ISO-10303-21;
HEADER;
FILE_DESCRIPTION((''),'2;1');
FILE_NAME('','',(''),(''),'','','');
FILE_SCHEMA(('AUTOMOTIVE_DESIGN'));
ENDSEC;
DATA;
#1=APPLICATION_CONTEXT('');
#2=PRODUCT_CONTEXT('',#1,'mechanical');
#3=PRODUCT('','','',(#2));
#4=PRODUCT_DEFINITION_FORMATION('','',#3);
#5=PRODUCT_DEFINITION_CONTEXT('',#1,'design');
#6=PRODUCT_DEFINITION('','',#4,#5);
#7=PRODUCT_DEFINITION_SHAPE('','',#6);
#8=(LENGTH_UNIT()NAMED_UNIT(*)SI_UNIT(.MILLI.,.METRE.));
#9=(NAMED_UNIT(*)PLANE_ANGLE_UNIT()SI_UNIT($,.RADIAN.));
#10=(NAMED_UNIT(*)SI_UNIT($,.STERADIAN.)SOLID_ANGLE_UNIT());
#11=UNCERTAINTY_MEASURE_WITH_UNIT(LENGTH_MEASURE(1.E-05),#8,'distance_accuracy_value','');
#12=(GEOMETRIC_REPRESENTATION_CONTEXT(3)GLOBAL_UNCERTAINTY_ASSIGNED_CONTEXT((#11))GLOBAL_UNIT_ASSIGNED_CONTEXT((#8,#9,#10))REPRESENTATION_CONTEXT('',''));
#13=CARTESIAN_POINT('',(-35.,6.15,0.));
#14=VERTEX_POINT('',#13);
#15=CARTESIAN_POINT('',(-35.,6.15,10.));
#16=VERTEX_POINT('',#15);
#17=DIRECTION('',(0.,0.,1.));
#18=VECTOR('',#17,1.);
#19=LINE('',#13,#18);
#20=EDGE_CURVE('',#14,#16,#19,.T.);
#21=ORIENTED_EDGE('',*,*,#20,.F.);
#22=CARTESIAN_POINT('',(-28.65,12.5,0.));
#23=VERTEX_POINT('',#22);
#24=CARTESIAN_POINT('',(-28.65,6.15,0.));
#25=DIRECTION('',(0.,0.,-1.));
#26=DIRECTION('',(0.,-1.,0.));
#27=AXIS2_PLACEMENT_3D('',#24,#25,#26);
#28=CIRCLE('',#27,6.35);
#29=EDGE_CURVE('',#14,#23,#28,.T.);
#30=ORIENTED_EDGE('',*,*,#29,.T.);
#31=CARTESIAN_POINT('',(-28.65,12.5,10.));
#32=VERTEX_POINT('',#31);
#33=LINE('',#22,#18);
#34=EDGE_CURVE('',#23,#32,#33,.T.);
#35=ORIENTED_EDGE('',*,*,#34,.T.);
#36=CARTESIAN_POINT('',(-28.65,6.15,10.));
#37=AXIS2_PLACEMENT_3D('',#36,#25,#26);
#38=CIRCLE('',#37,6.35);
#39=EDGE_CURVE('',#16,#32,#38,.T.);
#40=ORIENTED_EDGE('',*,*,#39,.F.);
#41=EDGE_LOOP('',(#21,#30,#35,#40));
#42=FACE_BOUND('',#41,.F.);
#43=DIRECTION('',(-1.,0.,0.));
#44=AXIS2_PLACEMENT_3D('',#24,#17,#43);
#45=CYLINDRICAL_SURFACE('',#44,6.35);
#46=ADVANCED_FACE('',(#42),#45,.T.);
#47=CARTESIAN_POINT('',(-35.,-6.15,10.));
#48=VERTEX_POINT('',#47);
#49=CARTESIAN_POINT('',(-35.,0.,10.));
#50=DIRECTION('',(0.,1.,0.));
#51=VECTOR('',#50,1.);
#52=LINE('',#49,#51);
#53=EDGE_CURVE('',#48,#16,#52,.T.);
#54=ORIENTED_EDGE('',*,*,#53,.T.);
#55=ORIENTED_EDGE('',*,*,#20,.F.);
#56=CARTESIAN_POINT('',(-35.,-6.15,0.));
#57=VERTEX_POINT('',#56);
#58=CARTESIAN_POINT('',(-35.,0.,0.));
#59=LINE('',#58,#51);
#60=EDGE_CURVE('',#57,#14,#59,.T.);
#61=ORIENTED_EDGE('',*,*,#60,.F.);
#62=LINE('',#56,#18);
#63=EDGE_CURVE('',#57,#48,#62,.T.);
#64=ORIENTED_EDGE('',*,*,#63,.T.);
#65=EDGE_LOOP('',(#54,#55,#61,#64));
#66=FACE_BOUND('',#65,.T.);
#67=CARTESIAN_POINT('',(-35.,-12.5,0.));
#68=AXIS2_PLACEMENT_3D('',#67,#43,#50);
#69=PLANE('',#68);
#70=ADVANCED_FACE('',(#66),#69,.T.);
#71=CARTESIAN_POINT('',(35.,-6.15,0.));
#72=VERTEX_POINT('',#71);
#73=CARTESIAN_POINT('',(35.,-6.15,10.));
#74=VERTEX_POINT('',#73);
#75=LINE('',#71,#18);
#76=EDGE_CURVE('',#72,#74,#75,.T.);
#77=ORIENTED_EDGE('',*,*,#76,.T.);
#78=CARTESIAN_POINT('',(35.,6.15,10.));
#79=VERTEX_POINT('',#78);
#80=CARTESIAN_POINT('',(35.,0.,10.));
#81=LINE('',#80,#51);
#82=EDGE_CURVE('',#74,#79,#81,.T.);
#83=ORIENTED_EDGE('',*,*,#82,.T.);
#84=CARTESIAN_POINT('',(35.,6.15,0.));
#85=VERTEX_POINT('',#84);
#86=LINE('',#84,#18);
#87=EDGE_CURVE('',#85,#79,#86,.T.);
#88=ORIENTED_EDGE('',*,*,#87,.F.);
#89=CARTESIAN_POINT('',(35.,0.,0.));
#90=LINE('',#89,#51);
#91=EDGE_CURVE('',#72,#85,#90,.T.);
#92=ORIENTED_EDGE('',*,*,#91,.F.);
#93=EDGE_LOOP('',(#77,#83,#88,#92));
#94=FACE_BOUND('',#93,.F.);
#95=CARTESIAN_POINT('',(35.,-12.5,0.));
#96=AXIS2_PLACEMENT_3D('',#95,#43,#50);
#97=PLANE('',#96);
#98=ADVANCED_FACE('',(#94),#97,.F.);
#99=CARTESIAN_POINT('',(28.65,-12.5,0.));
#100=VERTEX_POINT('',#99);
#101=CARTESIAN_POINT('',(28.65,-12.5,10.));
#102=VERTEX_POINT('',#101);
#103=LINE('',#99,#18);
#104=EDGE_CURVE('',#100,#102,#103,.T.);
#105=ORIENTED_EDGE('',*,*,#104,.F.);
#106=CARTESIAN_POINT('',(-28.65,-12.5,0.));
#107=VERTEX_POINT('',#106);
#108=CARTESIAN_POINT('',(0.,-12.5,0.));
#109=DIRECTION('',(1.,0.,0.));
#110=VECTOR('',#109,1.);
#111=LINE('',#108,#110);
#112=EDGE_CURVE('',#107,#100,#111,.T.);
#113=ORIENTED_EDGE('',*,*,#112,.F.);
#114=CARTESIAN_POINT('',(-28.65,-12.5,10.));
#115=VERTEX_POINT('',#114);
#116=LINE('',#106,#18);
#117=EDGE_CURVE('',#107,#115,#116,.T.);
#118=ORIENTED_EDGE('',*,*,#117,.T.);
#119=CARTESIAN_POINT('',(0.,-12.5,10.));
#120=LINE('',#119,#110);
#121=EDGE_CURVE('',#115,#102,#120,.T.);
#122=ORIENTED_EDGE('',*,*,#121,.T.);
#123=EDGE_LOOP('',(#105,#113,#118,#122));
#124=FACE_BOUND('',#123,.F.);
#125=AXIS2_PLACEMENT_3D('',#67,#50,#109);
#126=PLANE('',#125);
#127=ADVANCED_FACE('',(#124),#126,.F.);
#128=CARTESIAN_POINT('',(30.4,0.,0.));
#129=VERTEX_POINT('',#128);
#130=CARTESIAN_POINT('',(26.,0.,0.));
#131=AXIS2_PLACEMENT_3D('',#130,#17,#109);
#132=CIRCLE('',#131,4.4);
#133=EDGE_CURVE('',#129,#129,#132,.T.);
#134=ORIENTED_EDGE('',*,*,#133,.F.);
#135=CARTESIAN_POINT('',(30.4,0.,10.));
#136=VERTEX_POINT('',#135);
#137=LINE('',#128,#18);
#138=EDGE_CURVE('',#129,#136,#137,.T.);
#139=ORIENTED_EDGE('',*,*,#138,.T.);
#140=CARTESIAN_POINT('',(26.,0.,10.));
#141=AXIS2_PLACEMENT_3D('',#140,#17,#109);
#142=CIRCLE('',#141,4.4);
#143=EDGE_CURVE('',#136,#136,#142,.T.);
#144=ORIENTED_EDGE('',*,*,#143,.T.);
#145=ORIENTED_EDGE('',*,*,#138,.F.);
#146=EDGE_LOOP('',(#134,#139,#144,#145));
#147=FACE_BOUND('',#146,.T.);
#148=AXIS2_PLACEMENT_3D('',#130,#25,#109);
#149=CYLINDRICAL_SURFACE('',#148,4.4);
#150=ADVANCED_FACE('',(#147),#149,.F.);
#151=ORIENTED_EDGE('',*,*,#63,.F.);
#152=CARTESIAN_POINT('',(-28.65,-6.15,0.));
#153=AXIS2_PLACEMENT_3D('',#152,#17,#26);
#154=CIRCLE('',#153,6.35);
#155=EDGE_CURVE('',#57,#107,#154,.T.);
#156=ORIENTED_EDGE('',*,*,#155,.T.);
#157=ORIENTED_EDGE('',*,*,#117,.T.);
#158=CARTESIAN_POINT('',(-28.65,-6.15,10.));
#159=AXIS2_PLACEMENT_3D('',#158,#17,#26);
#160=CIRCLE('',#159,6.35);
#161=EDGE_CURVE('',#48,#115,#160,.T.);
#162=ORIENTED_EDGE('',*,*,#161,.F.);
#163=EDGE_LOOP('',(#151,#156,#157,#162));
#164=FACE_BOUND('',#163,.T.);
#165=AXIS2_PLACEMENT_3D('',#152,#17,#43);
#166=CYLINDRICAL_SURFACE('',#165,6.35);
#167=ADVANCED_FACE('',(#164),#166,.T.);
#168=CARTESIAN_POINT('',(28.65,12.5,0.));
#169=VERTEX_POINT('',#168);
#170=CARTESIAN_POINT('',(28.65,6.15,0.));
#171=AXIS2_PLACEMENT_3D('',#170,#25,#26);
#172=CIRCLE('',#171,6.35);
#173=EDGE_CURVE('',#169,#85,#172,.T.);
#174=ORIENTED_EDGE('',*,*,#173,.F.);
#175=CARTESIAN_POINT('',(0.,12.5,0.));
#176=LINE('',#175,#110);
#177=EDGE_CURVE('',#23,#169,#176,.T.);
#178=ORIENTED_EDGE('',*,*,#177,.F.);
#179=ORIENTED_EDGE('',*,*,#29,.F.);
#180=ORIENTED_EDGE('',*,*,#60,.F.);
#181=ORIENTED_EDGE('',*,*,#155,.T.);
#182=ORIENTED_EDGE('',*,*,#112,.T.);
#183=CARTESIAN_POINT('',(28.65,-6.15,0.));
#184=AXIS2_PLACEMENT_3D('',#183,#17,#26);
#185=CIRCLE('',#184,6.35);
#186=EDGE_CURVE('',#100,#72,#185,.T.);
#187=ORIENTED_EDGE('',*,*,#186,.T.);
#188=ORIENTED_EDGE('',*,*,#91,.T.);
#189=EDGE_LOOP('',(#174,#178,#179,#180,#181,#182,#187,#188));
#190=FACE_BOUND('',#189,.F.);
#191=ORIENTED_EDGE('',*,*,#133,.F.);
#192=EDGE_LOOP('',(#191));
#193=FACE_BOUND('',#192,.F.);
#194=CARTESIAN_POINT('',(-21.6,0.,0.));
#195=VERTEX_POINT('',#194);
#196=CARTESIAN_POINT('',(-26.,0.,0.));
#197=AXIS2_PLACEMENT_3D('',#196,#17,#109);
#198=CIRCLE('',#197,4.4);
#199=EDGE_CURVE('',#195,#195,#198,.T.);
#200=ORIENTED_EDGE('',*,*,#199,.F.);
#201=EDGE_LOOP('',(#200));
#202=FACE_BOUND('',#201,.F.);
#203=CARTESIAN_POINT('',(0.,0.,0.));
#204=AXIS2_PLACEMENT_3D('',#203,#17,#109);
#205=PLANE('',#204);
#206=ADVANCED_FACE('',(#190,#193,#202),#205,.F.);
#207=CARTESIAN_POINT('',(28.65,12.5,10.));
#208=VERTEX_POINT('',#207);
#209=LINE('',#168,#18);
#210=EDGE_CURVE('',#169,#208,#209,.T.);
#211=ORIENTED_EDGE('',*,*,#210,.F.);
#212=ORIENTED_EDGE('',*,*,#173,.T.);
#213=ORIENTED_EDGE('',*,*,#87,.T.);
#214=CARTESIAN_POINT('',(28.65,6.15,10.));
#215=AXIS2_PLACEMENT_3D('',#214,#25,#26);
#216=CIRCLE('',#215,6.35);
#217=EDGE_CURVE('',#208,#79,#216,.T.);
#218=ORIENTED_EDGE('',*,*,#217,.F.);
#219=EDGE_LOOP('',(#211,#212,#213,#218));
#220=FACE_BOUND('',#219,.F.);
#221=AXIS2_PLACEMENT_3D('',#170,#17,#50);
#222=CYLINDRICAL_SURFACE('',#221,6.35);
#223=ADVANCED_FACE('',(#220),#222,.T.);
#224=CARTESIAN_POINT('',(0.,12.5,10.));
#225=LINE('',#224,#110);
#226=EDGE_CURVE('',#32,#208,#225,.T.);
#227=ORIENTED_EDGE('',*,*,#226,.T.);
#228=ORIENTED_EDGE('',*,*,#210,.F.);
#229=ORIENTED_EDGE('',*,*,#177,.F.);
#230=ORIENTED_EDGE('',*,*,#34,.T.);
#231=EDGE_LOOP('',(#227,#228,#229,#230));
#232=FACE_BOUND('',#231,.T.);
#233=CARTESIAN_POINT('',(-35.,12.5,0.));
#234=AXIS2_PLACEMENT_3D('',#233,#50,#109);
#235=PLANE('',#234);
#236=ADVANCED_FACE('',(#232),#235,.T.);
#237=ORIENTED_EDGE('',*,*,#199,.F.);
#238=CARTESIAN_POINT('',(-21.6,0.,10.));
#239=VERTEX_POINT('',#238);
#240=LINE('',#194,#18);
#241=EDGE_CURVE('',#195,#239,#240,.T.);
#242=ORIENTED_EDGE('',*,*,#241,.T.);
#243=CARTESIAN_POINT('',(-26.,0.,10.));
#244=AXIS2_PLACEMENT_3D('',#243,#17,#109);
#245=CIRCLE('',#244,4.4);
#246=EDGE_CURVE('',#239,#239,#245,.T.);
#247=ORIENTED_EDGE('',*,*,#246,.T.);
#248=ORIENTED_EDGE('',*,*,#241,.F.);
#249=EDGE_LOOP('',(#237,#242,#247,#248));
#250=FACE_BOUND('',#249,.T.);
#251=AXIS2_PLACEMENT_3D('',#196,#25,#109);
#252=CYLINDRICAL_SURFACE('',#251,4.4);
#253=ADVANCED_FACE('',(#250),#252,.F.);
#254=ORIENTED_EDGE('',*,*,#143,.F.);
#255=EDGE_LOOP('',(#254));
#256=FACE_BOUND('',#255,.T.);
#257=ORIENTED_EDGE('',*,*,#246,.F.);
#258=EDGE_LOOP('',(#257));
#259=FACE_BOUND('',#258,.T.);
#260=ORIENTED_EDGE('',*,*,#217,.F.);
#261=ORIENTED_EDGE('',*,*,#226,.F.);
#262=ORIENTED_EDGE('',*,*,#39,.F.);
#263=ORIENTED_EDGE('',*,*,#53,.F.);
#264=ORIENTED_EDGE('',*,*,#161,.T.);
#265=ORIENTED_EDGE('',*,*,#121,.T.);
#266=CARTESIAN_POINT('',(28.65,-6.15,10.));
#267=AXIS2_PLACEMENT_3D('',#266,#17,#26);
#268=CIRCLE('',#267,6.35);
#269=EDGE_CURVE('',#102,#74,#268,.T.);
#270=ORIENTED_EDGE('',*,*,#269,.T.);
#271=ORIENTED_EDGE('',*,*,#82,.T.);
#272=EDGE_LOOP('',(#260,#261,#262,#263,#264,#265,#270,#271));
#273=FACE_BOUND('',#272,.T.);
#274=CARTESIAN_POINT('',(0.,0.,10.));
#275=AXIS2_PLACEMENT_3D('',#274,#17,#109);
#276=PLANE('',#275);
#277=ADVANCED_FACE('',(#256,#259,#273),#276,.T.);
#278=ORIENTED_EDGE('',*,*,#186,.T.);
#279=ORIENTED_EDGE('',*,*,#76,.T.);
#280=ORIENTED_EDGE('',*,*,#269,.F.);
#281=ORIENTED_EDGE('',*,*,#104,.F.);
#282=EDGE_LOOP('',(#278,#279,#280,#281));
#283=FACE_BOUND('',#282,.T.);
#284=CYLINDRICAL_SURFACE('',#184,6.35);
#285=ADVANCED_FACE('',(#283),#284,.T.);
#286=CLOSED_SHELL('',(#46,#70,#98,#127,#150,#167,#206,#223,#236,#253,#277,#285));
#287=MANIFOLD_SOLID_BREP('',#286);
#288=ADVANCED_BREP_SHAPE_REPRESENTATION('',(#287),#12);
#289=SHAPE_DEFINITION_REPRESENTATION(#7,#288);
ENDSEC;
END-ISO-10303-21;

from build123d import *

# Parameters (mm, degrees)
F0_W     = 70
F0_H     = 25
F0_R     = 4.4
F1_DEPTH = 10
F2_R     = 6.35


with BuildPart() as f1:
    # F0 (on Top) → F1 (new body)
    with BuildSketch(Plane.XY):
        Rectangle(F0_W, F0_H)
        with Locations((-26, 0)):
            Circle(F0_R, mode=Mode.SUBTRACT)
        with Locations((26, 0)):
            Circle(F0_R, mode=Mode.SUBTRACT)
    extrude(amount=F1_DEPTH)

    # F2
    f2_edges = [f1.edges().sort_by_distance(p)[0] for p in [
        (-35, 12.5, 5),
        (35, 12.5, 5),
        (35, -12.5, 5),
        (-35, -12.5, 5),
    ]]
    fillet(f2_edges, radius=F2_R)


solid = f1.part
